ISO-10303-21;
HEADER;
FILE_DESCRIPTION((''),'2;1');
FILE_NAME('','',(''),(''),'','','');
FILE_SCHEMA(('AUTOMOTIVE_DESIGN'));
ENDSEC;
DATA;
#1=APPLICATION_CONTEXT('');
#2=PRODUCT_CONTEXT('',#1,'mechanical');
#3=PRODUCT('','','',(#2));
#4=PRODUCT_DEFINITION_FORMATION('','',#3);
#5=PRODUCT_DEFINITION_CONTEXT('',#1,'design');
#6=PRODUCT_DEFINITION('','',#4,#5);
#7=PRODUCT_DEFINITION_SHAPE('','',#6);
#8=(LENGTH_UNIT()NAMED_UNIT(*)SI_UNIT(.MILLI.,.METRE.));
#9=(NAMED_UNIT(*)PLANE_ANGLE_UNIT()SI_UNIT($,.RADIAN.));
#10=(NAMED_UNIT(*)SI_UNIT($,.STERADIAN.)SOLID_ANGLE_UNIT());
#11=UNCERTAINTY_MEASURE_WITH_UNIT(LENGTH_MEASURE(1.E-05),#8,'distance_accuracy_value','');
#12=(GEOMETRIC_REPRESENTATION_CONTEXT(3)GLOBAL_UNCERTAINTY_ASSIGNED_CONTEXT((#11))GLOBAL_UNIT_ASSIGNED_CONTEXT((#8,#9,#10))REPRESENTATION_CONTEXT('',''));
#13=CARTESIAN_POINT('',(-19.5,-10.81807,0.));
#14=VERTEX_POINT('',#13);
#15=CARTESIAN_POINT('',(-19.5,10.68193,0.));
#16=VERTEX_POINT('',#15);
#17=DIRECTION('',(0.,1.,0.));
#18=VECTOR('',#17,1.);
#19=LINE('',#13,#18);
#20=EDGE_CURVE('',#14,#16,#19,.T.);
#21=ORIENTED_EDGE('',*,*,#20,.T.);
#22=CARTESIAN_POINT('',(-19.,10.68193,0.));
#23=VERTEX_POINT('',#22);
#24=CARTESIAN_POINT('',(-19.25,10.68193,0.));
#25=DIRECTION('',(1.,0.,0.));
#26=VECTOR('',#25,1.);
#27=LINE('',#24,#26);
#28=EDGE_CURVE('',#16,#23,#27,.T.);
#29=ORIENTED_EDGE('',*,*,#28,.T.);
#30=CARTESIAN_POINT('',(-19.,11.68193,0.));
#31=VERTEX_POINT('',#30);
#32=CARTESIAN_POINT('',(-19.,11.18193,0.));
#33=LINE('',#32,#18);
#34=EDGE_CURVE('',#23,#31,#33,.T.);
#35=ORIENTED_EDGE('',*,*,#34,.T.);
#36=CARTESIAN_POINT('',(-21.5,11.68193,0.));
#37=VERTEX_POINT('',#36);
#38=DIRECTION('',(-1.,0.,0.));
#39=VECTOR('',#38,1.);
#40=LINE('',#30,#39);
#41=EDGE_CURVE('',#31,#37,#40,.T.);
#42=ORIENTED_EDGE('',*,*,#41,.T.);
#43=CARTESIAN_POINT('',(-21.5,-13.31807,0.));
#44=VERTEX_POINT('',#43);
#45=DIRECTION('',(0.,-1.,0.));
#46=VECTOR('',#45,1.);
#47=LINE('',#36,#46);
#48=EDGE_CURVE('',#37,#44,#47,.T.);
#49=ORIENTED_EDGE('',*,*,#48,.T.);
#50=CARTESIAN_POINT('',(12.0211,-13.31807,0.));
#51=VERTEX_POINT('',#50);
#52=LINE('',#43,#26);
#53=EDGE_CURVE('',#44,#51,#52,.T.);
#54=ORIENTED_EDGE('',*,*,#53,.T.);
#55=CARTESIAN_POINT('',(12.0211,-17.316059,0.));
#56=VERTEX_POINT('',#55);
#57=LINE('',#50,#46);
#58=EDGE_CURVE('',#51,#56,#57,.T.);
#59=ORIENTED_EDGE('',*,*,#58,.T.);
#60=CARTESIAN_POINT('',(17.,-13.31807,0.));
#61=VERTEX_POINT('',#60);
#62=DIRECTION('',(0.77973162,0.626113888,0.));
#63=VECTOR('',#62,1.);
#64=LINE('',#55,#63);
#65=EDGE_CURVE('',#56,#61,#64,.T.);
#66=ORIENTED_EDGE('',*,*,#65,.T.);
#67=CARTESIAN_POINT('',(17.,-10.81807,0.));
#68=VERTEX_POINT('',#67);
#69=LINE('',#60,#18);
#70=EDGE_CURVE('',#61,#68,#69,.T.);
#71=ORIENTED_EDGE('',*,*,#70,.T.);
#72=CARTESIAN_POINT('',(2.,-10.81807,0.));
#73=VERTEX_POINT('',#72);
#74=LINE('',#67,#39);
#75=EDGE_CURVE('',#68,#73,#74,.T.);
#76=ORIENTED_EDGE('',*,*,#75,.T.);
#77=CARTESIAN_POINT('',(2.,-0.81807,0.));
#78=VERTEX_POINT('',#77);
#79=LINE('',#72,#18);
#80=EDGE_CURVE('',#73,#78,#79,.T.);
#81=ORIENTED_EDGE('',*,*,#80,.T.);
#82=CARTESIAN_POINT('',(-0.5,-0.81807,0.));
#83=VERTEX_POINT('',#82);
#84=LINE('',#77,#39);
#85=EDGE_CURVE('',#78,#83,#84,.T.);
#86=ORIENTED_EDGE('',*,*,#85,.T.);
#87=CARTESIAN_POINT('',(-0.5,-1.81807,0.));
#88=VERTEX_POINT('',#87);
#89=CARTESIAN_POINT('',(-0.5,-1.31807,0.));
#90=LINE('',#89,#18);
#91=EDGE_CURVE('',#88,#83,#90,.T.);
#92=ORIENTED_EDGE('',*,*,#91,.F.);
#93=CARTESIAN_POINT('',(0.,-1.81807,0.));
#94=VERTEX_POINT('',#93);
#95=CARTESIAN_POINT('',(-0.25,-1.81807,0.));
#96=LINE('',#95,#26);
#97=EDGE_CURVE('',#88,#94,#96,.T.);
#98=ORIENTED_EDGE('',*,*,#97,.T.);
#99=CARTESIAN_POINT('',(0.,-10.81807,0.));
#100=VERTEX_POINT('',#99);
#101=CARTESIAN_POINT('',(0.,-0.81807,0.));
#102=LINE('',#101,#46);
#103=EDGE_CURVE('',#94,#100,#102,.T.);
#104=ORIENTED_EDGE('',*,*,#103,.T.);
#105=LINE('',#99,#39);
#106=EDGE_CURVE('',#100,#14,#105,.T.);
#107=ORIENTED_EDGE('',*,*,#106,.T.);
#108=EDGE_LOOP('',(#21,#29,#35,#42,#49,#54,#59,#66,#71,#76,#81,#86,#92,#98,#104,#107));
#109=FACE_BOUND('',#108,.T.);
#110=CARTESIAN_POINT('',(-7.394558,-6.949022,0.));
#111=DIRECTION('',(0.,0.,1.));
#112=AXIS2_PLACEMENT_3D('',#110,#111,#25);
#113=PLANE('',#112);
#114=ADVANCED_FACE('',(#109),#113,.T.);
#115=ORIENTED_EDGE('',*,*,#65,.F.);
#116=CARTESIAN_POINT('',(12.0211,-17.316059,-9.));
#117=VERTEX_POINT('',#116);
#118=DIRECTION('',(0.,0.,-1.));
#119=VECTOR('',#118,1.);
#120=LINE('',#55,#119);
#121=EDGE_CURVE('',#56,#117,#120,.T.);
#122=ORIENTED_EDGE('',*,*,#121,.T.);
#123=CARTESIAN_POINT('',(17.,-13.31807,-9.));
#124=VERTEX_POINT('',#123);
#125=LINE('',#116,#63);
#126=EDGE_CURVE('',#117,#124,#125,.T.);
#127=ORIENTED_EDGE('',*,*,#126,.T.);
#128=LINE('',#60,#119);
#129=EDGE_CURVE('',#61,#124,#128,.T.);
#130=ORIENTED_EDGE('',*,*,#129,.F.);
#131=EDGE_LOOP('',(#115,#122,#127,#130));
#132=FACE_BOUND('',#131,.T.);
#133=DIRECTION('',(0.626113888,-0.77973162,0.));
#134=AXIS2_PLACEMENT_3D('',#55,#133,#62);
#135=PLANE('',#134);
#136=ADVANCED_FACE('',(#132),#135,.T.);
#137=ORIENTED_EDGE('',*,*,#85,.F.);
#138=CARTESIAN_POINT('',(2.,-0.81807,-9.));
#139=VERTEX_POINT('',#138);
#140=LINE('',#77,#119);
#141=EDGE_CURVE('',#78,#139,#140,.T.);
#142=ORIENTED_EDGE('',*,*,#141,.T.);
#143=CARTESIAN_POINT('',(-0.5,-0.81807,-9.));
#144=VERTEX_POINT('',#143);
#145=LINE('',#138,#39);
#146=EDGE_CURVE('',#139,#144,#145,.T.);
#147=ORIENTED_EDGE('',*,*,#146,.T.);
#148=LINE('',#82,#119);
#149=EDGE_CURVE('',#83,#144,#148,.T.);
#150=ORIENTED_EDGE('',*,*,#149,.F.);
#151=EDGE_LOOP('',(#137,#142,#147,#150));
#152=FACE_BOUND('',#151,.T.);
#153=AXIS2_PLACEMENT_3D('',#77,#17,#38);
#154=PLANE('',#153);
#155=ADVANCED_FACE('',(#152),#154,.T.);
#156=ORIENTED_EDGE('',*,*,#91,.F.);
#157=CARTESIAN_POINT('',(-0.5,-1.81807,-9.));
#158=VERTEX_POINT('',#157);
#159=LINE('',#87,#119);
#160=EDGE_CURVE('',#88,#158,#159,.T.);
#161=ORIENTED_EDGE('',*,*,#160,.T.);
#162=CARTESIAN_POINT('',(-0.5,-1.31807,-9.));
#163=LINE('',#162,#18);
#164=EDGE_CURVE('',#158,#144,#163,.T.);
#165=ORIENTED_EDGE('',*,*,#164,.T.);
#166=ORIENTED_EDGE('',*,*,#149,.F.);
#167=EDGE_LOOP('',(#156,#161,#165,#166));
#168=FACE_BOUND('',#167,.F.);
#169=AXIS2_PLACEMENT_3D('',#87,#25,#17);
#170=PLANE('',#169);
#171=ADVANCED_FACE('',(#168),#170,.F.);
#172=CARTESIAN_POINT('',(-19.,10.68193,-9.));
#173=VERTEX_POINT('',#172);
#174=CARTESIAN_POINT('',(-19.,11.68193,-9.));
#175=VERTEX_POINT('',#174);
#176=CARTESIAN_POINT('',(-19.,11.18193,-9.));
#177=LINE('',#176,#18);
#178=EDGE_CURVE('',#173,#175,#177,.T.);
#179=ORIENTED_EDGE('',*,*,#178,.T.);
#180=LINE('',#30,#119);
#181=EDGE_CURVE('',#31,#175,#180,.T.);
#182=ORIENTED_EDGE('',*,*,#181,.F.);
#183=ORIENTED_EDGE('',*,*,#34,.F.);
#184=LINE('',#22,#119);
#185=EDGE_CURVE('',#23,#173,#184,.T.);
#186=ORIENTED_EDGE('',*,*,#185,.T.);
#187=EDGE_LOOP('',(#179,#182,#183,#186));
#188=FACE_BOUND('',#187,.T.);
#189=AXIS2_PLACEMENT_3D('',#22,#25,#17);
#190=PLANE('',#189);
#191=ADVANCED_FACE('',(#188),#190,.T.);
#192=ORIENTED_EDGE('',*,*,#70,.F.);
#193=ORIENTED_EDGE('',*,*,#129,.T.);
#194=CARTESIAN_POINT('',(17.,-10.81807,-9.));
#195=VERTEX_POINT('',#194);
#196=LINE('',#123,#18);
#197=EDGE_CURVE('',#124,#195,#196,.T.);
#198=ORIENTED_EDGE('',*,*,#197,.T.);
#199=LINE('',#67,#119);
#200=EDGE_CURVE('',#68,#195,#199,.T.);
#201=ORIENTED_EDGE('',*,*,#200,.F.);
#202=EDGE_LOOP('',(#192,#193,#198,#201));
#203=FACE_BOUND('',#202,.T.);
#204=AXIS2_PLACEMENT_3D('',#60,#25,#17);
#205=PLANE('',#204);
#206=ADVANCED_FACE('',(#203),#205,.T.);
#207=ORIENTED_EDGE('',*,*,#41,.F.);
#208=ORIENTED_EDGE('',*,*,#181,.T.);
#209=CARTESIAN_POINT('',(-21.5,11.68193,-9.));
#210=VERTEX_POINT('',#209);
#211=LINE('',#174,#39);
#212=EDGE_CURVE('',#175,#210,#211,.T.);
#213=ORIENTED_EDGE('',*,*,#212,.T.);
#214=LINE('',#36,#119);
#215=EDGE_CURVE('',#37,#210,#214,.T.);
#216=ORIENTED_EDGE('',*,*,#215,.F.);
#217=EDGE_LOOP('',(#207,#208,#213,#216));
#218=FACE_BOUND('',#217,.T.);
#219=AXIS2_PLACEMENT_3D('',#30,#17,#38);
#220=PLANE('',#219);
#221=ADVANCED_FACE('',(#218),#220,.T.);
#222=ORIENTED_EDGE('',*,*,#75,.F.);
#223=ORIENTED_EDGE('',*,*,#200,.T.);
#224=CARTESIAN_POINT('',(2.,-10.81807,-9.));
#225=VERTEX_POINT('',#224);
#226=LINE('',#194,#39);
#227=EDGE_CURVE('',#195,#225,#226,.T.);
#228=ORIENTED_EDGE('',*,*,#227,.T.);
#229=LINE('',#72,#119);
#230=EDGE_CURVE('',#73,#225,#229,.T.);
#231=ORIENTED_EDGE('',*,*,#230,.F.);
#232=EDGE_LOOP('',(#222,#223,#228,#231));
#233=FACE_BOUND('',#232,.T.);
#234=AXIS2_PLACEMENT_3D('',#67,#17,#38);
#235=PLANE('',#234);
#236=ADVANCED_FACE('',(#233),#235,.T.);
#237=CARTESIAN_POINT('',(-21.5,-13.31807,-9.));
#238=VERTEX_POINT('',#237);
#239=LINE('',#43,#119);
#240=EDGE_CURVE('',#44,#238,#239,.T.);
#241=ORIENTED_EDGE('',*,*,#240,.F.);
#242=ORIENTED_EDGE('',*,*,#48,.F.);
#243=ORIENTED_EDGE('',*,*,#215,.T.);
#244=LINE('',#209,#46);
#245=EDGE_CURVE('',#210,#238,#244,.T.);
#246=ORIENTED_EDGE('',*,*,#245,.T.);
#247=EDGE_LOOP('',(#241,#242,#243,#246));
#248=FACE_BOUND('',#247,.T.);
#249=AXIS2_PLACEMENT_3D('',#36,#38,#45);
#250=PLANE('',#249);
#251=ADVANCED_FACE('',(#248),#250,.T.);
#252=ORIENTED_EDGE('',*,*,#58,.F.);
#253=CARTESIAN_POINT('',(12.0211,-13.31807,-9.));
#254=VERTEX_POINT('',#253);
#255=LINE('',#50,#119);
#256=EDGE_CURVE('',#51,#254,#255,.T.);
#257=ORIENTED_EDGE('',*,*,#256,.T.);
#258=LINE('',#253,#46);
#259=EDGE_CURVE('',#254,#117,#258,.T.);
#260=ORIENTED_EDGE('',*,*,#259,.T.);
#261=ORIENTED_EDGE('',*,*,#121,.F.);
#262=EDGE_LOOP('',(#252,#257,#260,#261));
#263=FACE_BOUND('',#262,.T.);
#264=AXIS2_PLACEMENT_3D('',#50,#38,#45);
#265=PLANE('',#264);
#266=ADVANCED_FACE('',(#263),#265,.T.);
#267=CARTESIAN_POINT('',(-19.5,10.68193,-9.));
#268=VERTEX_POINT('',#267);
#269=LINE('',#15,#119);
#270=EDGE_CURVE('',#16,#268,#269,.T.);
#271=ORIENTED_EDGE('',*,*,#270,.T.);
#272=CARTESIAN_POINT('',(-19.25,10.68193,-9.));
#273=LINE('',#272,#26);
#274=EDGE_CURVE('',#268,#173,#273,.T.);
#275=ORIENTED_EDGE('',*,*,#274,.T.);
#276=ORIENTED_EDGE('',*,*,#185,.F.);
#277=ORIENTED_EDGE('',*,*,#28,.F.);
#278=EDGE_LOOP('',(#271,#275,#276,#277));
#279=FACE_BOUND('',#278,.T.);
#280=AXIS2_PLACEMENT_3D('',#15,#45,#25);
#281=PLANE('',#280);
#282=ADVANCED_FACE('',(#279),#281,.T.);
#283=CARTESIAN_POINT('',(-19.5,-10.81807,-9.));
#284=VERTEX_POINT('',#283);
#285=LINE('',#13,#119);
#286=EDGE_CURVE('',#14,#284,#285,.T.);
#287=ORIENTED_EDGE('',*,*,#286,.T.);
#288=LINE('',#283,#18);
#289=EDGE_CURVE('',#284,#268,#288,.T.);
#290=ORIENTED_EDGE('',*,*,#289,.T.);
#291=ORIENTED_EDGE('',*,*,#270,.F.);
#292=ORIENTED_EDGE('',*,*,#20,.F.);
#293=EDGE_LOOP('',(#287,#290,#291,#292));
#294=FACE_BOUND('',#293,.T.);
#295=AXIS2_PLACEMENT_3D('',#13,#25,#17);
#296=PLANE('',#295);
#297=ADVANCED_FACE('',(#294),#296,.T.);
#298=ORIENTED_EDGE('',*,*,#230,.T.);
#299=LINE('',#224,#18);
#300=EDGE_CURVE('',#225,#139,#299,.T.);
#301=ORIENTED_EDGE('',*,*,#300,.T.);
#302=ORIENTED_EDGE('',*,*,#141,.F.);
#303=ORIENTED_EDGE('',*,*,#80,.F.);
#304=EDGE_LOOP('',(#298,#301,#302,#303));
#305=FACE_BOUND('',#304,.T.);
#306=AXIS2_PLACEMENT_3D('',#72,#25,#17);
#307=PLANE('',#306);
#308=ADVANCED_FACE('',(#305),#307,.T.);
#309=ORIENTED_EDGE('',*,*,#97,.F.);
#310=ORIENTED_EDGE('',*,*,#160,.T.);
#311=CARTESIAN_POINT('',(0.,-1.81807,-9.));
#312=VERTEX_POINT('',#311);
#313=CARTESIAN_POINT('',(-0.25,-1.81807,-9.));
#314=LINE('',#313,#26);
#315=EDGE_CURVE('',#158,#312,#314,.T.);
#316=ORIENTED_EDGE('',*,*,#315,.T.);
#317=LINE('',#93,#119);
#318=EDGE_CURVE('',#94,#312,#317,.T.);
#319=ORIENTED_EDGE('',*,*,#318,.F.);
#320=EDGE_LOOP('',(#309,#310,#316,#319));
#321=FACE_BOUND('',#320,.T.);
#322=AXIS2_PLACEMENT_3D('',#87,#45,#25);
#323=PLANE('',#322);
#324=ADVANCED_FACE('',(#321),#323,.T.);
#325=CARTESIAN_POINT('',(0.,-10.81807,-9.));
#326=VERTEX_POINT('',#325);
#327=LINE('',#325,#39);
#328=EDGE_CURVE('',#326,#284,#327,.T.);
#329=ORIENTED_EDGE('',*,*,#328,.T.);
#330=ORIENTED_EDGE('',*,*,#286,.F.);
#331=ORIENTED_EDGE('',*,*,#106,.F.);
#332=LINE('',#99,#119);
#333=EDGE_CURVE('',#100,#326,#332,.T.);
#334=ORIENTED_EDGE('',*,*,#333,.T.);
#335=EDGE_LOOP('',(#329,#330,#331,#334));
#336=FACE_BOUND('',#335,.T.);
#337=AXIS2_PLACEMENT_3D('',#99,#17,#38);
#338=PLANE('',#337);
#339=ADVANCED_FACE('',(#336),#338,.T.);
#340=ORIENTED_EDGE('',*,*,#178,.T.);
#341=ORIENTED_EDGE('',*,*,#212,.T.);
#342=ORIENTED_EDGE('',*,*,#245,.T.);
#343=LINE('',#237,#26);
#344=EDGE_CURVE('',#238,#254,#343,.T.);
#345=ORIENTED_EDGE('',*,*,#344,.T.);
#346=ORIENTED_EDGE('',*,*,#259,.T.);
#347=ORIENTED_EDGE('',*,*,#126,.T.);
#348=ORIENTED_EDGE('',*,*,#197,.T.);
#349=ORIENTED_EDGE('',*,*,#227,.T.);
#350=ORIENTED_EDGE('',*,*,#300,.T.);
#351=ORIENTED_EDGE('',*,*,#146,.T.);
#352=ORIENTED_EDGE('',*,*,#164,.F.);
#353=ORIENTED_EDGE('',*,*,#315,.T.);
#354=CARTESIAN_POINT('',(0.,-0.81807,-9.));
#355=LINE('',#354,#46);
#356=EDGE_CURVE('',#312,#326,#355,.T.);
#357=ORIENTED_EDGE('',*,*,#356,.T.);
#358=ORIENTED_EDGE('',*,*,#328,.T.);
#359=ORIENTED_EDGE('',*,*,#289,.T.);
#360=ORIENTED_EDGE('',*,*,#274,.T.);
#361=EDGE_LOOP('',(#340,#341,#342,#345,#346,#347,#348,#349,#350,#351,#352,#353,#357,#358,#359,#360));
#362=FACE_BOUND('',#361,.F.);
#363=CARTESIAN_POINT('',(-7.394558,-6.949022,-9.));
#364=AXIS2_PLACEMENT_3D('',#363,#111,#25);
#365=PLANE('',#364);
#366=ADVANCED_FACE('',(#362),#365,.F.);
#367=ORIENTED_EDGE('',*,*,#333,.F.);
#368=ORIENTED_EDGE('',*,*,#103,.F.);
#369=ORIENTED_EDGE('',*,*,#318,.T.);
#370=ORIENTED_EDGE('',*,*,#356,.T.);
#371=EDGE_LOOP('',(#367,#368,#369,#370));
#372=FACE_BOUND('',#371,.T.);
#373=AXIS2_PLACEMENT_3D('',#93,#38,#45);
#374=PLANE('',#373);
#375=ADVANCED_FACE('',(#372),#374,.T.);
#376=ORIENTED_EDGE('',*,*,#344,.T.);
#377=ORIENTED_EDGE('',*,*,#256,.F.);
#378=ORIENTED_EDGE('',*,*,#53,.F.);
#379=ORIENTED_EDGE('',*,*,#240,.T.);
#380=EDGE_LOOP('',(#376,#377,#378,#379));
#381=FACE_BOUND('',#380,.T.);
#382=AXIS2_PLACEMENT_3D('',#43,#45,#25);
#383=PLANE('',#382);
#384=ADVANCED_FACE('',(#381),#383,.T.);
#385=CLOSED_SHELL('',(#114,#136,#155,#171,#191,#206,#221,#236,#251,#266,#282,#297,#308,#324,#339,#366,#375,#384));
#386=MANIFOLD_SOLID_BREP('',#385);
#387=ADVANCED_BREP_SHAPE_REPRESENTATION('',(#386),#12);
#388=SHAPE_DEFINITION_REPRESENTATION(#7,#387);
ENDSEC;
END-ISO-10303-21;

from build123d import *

# Parameters (mm, degrees)
F0_W     = 0.5
F0_H     = 1
F1_DEPTH = 9


with BuildPart() as f1:
    # F0 (on Top) → F1 (new body)
    with BuildSketch(Plane.XY):
        Polygon((-21.5, 11.68193), (-21.5, -13.31807), (12.0211, -13.31807), (17, -13.31807), (17, -10.81807), (2, -10.81807), (2, -0.81807), (0, -0.81807), (0, -1.81807), (0, -10.81807), (-19.5, -10.81807), (-19.5, 10.68193), (-19.5, 11.68193), align=None)
        with Locations((-19.25, 11.18193)):
            Rectangle(F0_W, F0_H)
        with Locations((-0.25, -1.31807)):
            Rectangle(F0_W, F0_H)
        Polygon((17, -13.31807), (12.0211, -13.31807), (12.0211, -17.316059), align=None)
    extrude(amount=-F1_DEPTH)


solid = f1.part
